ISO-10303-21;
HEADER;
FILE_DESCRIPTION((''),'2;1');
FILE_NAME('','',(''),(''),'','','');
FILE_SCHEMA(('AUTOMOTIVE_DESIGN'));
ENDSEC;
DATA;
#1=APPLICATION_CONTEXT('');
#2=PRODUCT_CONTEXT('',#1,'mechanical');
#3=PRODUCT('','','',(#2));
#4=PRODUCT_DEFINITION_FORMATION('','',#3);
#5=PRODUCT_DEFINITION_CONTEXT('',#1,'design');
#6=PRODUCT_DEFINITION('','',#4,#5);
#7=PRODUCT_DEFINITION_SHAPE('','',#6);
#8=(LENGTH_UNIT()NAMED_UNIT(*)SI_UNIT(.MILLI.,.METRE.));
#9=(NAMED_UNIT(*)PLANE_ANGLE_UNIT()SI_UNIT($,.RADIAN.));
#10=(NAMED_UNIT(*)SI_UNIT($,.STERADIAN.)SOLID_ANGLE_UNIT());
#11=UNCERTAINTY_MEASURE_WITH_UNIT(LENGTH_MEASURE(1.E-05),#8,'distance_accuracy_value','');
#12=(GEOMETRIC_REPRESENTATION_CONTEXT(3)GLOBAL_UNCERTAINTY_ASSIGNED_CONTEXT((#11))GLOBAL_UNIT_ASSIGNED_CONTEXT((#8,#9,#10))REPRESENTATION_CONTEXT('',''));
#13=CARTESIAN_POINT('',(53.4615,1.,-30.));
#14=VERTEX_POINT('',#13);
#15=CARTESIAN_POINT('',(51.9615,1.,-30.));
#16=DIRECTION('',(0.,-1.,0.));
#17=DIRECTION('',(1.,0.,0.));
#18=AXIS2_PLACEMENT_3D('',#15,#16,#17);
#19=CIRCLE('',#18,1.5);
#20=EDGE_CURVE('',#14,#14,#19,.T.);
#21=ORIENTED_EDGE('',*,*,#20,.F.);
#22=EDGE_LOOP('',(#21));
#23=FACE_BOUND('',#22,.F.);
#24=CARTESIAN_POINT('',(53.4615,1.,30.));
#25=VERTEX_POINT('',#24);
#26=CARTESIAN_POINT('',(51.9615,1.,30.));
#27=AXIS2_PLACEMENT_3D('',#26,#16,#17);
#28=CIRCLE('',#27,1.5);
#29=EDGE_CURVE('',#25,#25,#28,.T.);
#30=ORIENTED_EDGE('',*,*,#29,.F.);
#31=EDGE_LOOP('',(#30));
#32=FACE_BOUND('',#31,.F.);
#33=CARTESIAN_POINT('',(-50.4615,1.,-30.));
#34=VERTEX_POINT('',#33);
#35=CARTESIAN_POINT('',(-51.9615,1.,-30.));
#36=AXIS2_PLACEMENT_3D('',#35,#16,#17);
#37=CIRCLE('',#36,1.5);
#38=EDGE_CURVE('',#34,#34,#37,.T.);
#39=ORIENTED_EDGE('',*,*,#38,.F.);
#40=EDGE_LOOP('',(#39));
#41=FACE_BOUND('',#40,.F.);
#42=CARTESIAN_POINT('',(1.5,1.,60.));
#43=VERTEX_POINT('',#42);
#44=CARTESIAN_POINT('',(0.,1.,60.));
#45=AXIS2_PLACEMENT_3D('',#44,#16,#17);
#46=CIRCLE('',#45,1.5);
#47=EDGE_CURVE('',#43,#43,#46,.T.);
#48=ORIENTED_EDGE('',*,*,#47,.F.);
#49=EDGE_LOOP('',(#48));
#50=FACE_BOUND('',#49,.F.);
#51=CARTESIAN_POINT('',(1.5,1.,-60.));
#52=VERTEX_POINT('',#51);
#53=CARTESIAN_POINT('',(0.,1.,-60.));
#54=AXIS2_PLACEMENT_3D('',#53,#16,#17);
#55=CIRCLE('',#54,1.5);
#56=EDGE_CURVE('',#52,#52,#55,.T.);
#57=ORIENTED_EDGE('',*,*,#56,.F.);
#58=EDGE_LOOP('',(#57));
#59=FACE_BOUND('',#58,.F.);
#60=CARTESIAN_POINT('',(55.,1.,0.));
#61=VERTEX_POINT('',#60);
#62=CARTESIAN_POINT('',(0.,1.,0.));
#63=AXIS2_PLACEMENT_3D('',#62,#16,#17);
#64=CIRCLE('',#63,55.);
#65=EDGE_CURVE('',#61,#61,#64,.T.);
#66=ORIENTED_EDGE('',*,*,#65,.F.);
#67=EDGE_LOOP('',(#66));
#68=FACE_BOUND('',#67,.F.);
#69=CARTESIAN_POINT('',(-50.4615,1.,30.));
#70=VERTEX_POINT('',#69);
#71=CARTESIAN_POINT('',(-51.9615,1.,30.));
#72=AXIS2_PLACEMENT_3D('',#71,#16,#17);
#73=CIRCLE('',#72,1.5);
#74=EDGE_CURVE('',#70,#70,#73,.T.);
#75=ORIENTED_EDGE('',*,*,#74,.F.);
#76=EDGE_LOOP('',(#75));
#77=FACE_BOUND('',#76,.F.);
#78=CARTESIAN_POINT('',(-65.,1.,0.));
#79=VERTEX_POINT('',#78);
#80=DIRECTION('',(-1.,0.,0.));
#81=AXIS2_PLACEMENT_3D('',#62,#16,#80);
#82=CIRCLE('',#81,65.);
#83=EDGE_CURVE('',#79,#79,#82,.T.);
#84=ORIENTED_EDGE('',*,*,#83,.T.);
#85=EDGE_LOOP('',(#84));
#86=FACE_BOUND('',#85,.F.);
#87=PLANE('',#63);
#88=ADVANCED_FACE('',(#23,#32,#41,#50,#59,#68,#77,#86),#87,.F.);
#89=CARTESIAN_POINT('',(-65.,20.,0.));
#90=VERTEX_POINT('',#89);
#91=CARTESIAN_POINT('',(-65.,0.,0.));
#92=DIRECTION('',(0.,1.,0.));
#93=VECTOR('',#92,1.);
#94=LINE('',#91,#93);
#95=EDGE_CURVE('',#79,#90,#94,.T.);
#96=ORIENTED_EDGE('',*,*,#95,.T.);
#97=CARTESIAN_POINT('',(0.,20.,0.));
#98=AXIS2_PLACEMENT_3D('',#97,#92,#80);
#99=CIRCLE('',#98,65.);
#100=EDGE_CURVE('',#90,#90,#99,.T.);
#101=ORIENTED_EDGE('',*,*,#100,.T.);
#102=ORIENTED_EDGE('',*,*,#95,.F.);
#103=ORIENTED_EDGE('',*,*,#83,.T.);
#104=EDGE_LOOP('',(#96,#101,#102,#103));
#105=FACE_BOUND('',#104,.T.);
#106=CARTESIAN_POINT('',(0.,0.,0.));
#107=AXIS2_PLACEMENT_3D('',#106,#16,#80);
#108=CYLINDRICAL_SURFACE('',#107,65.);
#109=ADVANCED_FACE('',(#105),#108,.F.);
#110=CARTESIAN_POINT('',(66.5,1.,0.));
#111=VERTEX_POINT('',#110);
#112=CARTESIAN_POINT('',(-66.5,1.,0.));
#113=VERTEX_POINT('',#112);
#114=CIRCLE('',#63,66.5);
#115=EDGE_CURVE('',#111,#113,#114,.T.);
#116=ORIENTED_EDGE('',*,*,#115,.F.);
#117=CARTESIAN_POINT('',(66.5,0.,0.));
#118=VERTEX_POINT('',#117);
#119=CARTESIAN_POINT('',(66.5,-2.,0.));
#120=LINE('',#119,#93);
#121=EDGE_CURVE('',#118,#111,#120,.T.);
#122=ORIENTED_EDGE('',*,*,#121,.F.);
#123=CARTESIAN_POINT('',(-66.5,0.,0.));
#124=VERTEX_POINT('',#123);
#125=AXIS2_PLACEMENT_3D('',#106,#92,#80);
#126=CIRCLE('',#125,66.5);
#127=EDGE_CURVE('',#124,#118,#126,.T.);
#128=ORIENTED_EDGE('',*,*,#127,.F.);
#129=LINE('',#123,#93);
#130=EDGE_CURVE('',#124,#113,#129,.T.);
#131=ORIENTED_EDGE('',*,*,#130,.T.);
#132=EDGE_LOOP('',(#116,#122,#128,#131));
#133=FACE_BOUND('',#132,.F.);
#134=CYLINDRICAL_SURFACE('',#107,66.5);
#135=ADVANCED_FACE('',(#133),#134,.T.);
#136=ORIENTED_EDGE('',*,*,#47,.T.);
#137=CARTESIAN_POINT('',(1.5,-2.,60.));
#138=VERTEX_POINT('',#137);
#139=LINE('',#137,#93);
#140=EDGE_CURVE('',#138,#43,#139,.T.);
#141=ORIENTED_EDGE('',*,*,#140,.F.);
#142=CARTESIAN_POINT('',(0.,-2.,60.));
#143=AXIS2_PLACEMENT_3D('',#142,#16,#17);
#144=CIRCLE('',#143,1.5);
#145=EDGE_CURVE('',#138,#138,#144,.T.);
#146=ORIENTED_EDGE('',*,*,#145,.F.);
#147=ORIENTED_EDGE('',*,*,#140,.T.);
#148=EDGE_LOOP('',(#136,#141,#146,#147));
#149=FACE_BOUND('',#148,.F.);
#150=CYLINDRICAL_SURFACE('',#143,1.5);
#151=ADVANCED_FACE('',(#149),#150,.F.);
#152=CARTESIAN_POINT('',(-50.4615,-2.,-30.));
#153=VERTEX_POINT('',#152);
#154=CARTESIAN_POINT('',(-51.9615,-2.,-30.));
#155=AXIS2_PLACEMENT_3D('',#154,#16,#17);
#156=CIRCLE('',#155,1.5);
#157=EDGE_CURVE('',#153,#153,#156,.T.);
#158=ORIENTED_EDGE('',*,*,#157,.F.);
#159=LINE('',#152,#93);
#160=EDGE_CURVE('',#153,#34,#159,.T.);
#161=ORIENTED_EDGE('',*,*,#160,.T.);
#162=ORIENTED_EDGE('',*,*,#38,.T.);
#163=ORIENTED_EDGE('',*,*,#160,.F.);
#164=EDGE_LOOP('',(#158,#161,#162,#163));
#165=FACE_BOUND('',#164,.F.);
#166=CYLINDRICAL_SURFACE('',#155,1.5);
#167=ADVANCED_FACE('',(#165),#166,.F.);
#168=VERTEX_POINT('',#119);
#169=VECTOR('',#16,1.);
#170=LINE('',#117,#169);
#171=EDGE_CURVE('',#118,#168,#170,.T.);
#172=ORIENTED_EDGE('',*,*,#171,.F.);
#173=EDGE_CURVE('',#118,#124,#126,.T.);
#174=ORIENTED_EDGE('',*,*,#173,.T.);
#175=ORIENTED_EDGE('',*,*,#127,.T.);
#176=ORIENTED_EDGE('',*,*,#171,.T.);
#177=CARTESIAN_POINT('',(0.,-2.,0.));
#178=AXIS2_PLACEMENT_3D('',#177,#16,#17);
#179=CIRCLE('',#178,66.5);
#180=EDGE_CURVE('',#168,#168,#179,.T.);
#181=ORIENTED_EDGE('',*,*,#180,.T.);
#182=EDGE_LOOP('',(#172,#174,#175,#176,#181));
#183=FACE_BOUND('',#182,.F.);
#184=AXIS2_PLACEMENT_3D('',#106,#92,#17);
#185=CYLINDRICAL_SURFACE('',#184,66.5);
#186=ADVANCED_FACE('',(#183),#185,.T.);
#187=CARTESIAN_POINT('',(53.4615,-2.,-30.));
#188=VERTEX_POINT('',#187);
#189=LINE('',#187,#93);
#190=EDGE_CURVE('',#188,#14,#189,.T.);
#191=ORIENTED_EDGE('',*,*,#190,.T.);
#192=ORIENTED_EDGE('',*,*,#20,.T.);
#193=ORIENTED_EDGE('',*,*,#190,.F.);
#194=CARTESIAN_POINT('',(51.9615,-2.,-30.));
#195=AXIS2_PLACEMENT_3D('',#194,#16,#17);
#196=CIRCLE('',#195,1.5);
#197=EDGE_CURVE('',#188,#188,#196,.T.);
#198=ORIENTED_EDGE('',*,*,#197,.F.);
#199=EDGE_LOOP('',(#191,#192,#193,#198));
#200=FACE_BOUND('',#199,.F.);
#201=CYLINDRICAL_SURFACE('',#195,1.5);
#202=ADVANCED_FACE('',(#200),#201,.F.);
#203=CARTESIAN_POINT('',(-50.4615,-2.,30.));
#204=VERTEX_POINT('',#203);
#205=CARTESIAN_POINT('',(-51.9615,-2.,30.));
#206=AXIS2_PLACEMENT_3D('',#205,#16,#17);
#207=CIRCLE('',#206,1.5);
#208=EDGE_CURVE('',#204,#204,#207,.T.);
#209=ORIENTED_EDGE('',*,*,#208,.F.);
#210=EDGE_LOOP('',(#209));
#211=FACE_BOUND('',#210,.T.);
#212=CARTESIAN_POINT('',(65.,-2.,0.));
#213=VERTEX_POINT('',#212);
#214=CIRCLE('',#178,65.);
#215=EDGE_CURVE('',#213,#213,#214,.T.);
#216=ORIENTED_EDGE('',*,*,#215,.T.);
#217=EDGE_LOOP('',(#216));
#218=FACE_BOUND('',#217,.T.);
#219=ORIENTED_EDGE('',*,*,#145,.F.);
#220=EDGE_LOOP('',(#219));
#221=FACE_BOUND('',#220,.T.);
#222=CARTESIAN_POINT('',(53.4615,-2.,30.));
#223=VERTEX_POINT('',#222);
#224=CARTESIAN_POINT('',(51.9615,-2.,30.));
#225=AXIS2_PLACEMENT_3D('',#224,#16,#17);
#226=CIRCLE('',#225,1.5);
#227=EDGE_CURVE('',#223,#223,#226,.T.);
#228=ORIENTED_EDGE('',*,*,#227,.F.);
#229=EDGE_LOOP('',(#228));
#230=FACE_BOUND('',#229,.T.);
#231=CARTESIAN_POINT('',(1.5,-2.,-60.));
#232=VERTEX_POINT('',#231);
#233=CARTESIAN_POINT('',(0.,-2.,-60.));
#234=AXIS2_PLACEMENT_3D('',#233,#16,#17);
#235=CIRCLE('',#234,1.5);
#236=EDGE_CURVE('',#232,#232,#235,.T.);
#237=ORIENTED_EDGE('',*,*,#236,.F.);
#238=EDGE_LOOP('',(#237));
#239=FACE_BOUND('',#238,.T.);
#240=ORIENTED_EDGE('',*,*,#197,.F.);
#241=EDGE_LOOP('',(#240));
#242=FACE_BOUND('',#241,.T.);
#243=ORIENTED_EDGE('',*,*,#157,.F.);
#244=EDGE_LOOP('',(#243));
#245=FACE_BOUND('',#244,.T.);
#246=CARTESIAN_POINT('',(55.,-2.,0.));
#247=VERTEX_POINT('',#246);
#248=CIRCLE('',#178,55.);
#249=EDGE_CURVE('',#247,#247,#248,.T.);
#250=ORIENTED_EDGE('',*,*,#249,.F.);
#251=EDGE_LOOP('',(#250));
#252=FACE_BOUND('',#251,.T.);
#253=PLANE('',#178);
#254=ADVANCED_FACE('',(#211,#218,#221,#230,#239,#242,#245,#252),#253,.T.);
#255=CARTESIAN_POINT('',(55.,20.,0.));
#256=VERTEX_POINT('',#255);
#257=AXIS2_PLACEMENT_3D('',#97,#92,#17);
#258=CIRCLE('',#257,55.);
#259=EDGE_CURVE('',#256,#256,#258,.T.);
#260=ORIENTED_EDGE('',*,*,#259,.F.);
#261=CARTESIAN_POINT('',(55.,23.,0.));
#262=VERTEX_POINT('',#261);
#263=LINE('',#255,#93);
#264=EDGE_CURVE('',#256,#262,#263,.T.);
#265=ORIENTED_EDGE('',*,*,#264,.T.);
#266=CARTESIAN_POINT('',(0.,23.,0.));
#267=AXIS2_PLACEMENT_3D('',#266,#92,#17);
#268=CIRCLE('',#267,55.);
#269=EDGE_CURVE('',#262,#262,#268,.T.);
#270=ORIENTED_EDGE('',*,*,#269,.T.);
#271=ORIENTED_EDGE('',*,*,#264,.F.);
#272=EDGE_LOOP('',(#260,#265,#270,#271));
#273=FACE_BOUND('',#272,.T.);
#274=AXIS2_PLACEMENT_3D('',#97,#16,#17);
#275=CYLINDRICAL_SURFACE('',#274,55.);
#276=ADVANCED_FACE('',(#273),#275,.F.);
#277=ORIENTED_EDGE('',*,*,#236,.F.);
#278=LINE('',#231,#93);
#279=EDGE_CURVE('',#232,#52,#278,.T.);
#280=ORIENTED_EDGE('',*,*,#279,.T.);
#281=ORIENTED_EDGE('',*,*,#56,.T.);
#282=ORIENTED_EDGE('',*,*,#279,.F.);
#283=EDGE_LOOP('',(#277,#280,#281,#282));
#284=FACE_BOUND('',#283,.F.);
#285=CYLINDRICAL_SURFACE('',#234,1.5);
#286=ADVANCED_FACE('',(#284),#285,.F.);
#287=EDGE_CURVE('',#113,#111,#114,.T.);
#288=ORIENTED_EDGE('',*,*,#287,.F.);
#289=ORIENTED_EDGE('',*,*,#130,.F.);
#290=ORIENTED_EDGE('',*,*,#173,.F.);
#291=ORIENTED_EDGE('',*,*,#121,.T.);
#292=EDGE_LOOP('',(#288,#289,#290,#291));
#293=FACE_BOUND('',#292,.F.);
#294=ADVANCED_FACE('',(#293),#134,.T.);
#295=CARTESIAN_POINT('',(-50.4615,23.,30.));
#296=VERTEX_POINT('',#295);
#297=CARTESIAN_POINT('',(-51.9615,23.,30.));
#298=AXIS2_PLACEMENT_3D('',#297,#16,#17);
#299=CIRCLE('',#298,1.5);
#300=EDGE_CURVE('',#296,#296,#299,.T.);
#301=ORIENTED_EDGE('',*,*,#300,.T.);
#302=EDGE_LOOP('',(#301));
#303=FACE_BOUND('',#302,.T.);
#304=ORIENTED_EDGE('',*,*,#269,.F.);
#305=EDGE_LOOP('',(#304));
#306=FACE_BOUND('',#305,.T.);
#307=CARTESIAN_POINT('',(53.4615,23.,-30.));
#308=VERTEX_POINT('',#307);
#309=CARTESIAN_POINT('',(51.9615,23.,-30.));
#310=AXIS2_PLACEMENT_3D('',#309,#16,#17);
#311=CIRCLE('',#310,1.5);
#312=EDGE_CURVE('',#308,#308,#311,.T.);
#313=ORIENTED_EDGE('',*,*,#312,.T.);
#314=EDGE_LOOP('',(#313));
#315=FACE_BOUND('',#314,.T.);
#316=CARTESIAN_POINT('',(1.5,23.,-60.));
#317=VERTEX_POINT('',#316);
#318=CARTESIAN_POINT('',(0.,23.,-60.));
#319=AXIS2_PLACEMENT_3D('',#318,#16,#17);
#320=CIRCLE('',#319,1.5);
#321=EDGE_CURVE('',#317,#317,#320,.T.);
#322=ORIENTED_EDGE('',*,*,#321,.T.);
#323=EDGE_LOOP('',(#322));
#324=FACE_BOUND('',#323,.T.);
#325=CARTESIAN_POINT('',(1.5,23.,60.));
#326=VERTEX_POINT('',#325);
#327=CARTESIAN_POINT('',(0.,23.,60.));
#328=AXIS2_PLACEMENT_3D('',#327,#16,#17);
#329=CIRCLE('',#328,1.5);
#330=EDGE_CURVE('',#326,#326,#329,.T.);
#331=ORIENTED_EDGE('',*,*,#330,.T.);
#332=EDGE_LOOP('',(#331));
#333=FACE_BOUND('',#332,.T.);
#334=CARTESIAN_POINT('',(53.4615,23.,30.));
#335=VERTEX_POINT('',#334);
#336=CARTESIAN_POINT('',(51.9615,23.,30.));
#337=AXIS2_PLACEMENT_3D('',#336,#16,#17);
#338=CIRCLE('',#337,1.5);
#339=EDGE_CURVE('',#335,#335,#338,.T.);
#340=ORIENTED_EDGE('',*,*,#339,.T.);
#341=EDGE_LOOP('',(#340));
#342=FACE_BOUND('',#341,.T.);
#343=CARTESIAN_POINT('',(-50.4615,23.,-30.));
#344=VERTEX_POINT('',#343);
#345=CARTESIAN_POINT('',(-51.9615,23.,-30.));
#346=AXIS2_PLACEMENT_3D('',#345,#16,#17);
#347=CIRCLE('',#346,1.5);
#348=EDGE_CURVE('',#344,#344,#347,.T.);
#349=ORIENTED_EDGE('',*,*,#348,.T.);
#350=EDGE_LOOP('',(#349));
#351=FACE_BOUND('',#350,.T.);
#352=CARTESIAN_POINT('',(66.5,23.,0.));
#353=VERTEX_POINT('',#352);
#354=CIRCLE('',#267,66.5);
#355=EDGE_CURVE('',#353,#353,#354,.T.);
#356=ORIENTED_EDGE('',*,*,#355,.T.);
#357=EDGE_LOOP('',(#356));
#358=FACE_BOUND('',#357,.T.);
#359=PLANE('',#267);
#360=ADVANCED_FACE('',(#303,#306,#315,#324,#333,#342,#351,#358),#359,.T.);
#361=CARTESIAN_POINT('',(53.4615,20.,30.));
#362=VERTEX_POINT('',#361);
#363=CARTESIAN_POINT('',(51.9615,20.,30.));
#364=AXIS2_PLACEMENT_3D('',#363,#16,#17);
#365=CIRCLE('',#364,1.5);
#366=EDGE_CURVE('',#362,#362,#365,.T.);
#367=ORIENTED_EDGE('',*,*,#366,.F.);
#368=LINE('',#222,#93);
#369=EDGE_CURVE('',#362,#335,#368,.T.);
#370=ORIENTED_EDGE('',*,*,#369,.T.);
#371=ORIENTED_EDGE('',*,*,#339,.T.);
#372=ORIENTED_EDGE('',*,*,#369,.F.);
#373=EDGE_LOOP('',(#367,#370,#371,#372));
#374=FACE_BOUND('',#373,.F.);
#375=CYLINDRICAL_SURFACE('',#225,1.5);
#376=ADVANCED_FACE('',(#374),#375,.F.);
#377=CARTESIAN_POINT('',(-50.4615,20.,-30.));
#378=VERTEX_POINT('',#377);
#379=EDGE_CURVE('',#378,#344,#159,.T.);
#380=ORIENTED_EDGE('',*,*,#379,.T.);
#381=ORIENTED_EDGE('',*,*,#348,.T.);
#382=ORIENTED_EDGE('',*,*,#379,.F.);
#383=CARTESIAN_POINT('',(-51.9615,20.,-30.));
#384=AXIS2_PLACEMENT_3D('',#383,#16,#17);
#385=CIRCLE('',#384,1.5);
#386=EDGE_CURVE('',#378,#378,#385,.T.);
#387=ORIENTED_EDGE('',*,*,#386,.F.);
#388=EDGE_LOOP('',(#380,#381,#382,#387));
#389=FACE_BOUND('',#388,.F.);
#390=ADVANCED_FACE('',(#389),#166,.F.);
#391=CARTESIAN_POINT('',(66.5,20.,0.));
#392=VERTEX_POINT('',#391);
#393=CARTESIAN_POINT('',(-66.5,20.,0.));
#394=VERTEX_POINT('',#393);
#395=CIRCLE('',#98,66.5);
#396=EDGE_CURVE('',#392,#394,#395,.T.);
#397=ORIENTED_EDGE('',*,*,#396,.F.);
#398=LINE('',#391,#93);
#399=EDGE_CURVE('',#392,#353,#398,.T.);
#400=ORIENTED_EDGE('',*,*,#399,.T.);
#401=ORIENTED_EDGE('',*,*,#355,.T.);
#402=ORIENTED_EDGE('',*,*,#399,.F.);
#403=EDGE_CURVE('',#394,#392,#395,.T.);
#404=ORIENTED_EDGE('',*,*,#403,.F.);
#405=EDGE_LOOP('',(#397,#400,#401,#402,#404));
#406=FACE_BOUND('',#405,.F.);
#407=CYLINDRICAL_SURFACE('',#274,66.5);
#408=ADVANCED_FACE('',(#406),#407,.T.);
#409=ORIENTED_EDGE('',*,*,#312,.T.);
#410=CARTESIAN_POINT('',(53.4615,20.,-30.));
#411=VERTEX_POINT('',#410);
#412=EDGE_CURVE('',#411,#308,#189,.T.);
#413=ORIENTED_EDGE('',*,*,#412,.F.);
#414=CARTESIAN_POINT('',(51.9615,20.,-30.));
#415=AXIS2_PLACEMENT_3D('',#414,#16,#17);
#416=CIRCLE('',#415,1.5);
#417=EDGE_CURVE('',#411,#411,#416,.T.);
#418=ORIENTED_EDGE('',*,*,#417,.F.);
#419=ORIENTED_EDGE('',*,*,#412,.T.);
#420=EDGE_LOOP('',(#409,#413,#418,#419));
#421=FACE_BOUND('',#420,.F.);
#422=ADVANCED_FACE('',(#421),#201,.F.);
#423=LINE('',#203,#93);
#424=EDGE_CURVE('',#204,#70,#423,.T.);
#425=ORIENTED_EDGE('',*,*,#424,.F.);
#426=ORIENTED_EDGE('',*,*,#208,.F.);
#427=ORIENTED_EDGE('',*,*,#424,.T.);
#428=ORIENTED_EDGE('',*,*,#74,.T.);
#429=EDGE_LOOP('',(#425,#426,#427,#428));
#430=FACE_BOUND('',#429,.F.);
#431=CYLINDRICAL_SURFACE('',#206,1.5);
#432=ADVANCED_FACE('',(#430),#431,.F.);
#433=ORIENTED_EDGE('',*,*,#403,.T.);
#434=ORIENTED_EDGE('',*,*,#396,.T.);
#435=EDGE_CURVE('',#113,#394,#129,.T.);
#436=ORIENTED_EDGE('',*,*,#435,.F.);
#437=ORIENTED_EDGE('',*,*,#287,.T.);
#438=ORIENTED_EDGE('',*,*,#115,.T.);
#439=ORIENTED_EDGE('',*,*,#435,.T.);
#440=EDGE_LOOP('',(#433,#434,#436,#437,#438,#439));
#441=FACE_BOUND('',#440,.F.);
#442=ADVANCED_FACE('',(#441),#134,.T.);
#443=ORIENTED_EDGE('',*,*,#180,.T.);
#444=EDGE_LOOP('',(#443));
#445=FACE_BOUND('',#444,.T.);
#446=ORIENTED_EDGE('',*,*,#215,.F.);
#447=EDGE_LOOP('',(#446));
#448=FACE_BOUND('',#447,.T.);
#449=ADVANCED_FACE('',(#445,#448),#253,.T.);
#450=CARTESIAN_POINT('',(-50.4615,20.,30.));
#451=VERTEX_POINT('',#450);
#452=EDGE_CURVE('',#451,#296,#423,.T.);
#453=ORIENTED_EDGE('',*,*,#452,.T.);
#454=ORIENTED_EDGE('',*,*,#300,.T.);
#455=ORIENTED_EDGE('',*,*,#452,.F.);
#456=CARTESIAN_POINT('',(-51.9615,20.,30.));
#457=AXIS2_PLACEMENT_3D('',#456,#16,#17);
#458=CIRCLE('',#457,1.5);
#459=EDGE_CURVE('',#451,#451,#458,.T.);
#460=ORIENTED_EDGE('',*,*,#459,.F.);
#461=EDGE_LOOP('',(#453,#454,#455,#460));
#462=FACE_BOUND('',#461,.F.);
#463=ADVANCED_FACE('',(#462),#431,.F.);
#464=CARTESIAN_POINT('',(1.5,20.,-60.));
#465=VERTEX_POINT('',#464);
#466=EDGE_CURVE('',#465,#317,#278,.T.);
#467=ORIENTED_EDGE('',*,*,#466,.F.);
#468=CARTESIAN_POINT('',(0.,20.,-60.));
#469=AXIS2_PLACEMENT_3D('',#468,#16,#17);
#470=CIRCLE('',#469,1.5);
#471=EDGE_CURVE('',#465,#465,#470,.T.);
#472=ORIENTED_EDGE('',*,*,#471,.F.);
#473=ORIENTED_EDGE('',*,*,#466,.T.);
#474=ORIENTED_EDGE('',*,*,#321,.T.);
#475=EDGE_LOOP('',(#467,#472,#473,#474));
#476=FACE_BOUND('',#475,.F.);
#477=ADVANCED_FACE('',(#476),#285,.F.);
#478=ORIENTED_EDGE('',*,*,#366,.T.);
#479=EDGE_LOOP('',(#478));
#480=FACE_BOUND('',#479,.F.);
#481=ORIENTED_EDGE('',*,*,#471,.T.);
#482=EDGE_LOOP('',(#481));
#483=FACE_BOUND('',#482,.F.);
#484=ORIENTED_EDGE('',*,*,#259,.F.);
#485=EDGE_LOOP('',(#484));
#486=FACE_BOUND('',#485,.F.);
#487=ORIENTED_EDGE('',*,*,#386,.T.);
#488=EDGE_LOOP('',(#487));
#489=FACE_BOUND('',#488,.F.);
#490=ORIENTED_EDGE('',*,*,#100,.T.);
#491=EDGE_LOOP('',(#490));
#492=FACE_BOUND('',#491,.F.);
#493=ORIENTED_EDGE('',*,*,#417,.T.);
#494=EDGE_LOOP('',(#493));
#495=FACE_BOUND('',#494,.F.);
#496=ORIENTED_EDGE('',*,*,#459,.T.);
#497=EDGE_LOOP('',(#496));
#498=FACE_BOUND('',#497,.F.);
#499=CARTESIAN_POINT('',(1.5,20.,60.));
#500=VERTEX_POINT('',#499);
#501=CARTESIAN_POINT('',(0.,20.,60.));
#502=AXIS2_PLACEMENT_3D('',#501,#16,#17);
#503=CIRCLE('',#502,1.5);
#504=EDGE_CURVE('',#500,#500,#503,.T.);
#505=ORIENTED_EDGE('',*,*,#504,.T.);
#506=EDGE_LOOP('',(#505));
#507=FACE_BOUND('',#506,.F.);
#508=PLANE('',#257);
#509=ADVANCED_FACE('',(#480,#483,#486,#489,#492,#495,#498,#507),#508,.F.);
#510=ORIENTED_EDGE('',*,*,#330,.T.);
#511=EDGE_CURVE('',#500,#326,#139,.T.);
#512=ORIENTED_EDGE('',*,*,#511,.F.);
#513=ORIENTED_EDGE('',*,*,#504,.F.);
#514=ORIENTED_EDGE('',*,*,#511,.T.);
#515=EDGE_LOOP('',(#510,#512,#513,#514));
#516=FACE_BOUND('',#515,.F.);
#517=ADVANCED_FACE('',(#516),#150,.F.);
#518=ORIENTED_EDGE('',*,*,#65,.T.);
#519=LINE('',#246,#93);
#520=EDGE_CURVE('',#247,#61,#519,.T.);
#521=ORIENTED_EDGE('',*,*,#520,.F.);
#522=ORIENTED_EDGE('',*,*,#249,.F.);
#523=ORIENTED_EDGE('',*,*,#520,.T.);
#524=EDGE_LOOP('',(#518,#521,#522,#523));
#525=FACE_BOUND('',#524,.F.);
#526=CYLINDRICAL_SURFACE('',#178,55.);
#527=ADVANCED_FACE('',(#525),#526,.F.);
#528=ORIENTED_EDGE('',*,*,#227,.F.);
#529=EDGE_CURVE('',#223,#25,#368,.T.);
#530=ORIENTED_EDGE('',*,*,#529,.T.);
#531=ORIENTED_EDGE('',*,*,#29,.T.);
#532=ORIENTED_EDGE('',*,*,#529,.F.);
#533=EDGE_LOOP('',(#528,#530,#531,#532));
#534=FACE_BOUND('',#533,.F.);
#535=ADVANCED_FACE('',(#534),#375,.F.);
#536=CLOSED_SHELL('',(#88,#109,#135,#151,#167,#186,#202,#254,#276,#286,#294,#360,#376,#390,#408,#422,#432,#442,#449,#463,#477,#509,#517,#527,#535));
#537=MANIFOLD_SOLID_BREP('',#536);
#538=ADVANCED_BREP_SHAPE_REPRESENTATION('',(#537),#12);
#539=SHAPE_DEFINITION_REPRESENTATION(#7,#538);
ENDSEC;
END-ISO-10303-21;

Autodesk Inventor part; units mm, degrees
ref_plane "YZ Plane" through (0, 0, 0) normal (1, 0, 0) x (0, 1, 0)
ref_plane "XZ Plane" through (0, 0, 0) normal (0, 1, 0) x (-1, 0, 0)
ref_plane "XY Plane" through (0, 0, 0) normal (0, 0, 1) x (1, 0, 0)
sketch "Sketch1" plane through (0, 0, 0) normal (0, 1, 0) x (-1, 0, 0)
  circle A0 centre (0, 0) radius 65
  circle A1 centre (0, 0) radius 66.5
  dimension "d0" = 130
  dimension "d1" = 133
extrude "Extrusion1" add sketch "Sketch1" along normal blind 20
sketch "Sketch3" plane through (0, 0, 0) normal (0, -1, 0) x (1, 0, 0)
  circle A0 centre (0, -8) radius 1.5
  circle A1 centre (0, 8) radius 1.5
  circle A2 centre (9.5, 0) radius 1.5
  circle A3 centre (-9.5, 0) radius 1.5
  circle A4 centre (0, 0) radius 3.5464
  dimension "d11" = 3
  dimension "d12" = 8
  dimension "d13" = 3
  dimension "d14" = 9.5
extrude "Extrusion3" cut sketch "Sketch3" against normal blind 3
sketch "Sketch4" plane through (0, 0, 0) normal (0, -1, 0) x (1, 0, 0)
  circle A0 centre (0, 0) radius 66.5 projected
  circle A1 centre (0, 0) radius 65
  dimension "d17" = 130
extrude "Extrusion4" add sketch "Sketch4" along normal blind 2
sketch "Sketch5" plane through (0, 20, 0) normal (0, 1, 0) x (1, 0, 0)
  circle A0 centre (0, 0) radius 66.5
  circle A1 centre (0, 0) radius 55
  dimension "d20" = 133
  dimension "d23" = 110
extrude "Extrusion5" add sketch "Sketch5" along normal blind 3
sketch "Sketch6" plane through (0, -2, 0) normal (0, -1, 0) x (1, 0, 0)
  circle A0 centre (0, 0) radius 66.5
  circle A1 centre (0, 0) radius 55
  dimension "d24" = 133
  dimension "d25" = 110
extrude "Extrusion6" add sketch "Sketch6" against normal blind 3
sketch "Sketch7" plane through (0, -2, 0) normal (0, -1, 0) x (1, 0, 0)
  circle A0 centre (0, -60) radius 1.5
  circle A1 centre (51.9615, -30) radius 1.5
  circle A2 centre (51.9615, 30) radius 1.5
  circle A3 centre (0, 60) radius 1.5
  circle A4 centre (-51.9615, 30) radius 1.5
  circle A5 centre (-51.9615, -30) radius 1.5
  point P0 (0, 0)
  dimension "d28" = 3
  dimension "d31" = 360
  dimension "d35" = 60
extrude "Extrusion7" cut sketch "Sketch7" against normal blind 1000
sketch "Sketch8" plane through (0, 23, 0) normal (0, 1, 0) x (1, 0, 0)
  circle A0 centre (0, 0) radius 55
  dimension "d36" = 110
properties part number "Motor mount (plain)"
